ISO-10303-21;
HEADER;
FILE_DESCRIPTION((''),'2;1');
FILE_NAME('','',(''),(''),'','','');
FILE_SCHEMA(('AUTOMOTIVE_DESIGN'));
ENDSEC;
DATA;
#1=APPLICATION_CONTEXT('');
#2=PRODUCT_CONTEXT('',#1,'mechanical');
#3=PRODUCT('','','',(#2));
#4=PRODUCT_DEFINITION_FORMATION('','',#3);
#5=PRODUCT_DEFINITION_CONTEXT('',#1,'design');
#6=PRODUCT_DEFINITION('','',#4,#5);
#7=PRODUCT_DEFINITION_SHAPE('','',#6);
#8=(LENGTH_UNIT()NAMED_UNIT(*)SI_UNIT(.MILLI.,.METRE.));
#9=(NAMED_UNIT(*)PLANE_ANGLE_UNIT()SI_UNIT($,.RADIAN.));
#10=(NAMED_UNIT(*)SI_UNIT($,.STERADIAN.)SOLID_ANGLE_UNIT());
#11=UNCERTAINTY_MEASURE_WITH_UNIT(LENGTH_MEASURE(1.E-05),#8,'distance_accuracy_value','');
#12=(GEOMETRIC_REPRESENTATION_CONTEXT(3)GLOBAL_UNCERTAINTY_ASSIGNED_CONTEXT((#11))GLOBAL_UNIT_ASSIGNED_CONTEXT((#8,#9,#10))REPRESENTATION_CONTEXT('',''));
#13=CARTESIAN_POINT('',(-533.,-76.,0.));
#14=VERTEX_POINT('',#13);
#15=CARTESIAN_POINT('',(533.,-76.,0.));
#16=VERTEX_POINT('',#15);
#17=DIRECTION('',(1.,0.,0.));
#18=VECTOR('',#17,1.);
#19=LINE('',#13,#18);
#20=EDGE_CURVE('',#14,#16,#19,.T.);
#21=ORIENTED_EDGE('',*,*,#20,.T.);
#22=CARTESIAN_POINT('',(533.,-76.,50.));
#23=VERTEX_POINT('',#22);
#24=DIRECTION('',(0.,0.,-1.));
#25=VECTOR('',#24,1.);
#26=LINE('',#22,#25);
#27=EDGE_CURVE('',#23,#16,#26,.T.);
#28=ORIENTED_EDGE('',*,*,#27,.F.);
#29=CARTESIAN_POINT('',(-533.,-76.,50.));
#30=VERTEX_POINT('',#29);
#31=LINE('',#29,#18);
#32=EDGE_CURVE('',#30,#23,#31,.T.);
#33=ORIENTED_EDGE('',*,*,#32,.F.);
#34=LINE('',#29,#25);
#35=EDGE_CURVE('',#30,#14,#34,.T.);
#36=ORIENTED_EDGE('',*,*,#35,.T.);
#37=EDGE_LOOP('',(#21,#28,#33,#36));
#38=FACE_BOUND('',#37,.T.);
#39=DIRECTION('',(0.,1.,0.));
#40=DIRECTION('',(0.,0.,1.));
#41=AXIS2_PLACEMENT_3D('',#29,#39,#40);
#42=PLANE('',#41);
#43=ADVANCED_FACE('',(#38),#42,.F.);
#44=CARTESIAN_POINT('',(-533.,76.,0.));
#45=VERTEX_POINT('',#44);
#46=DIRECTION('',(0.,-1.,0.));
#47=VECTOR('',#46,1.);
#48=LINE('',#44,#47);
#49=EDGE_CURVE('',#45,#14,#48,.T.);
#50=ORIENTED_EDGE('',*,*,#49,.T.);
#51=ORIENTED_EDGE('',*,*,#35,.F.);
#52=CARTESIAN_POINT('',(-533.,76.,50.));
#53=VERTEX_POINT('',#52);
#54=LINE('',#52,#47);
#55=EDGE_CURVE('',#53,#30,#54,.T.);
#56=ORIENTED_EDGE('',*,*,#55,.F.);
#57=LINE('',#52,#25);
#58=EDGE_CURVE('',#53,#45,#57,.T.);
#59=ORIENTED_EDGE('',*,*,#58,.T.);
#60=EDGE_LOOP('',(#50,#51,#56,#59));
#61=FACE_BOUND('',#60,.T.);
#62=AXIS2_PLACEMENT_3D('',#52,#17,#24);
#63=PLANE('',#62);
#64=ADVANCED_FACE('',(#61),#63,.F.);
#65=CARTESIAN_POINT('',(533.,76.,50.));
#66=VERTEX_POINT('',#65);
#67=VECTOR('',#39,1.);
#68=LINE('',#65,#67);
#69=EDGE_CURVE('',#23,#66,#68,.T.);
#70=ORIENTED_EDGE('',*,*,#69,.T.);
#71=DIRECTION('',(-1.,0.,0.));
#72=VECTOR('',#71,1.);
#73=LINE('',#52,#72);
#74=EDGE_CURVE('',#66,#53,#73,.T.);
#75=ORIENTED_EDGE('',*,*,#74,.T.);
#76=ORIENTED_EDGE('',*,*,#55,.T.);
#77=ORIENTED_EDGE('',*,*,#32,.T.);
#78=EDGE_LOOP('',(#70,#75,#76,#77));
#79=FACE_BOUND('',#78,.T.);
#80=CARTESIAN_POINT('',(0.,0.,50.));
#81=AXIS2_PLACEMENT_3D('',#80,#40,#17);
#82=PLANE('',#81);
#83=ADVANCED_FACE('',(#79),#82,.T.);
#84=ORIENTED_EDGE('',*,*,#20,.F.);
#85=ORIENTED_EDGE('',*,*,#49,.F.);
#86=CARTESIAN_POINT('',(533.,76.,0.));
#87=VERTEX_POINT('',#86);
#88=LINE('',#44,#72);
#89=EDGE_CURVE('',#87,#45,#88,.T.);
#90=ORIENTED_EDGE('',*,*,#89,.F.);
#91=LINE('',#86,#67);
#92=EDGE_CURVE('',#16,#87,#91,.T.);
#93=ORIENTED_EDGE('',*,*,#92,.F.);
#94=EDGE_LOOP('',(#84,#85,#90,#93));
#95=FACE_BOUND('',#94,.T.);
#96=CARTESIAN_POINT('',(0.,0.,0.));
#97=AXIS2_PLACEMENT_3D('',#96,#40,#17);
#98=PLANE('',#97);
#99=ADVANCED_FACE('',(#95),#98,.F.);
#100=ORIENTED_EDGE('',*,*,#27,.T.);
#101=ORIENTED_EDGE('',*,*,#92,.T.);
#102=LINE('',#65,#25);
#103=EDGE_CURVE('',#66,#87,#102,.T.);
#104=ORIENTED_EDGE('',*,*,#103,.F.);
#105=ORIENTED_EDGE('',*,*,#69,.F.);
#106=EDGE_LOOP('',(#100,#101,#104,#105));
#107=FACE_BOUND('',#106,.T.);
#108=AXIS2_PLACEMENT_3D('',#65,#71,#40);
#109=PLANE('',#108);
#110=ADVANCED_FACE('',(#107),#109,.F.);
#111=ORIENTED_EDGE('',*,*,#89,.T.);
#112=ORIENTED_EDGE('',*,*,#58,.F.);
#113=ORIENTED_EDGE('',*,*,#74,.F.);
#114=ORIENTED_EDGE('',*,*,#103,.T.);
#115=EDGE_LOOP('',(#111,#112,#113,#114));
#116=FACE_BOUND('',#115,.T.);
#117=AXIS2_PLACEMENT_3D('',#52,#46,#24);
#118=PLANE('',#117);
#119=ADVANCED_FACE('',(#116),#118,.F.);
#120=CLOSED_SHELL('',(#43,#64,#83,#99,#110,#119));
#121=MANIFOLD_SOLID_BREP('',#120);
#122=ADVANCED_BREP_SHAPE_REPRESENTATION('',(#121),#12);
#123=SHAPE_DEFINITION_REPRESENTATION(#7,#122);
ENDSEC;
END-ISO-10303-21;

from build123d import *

# Parameters (mm, degrees)
SKETCH1_W           = 1066
SKETCH1_H           = 152
BOSS_EXTRUDE1_DEPTH = 50


with BuildPart() as part:
    # Sketch1 → Boss-Extrude1 (new body)
    with BuildSketch(Plane.XY):
        Rectangle(SKETCH1_W, SKETCH1_H)
    extrude(amount=BOSS_EXTRUDE1_DEPTH)


solid = part.part
